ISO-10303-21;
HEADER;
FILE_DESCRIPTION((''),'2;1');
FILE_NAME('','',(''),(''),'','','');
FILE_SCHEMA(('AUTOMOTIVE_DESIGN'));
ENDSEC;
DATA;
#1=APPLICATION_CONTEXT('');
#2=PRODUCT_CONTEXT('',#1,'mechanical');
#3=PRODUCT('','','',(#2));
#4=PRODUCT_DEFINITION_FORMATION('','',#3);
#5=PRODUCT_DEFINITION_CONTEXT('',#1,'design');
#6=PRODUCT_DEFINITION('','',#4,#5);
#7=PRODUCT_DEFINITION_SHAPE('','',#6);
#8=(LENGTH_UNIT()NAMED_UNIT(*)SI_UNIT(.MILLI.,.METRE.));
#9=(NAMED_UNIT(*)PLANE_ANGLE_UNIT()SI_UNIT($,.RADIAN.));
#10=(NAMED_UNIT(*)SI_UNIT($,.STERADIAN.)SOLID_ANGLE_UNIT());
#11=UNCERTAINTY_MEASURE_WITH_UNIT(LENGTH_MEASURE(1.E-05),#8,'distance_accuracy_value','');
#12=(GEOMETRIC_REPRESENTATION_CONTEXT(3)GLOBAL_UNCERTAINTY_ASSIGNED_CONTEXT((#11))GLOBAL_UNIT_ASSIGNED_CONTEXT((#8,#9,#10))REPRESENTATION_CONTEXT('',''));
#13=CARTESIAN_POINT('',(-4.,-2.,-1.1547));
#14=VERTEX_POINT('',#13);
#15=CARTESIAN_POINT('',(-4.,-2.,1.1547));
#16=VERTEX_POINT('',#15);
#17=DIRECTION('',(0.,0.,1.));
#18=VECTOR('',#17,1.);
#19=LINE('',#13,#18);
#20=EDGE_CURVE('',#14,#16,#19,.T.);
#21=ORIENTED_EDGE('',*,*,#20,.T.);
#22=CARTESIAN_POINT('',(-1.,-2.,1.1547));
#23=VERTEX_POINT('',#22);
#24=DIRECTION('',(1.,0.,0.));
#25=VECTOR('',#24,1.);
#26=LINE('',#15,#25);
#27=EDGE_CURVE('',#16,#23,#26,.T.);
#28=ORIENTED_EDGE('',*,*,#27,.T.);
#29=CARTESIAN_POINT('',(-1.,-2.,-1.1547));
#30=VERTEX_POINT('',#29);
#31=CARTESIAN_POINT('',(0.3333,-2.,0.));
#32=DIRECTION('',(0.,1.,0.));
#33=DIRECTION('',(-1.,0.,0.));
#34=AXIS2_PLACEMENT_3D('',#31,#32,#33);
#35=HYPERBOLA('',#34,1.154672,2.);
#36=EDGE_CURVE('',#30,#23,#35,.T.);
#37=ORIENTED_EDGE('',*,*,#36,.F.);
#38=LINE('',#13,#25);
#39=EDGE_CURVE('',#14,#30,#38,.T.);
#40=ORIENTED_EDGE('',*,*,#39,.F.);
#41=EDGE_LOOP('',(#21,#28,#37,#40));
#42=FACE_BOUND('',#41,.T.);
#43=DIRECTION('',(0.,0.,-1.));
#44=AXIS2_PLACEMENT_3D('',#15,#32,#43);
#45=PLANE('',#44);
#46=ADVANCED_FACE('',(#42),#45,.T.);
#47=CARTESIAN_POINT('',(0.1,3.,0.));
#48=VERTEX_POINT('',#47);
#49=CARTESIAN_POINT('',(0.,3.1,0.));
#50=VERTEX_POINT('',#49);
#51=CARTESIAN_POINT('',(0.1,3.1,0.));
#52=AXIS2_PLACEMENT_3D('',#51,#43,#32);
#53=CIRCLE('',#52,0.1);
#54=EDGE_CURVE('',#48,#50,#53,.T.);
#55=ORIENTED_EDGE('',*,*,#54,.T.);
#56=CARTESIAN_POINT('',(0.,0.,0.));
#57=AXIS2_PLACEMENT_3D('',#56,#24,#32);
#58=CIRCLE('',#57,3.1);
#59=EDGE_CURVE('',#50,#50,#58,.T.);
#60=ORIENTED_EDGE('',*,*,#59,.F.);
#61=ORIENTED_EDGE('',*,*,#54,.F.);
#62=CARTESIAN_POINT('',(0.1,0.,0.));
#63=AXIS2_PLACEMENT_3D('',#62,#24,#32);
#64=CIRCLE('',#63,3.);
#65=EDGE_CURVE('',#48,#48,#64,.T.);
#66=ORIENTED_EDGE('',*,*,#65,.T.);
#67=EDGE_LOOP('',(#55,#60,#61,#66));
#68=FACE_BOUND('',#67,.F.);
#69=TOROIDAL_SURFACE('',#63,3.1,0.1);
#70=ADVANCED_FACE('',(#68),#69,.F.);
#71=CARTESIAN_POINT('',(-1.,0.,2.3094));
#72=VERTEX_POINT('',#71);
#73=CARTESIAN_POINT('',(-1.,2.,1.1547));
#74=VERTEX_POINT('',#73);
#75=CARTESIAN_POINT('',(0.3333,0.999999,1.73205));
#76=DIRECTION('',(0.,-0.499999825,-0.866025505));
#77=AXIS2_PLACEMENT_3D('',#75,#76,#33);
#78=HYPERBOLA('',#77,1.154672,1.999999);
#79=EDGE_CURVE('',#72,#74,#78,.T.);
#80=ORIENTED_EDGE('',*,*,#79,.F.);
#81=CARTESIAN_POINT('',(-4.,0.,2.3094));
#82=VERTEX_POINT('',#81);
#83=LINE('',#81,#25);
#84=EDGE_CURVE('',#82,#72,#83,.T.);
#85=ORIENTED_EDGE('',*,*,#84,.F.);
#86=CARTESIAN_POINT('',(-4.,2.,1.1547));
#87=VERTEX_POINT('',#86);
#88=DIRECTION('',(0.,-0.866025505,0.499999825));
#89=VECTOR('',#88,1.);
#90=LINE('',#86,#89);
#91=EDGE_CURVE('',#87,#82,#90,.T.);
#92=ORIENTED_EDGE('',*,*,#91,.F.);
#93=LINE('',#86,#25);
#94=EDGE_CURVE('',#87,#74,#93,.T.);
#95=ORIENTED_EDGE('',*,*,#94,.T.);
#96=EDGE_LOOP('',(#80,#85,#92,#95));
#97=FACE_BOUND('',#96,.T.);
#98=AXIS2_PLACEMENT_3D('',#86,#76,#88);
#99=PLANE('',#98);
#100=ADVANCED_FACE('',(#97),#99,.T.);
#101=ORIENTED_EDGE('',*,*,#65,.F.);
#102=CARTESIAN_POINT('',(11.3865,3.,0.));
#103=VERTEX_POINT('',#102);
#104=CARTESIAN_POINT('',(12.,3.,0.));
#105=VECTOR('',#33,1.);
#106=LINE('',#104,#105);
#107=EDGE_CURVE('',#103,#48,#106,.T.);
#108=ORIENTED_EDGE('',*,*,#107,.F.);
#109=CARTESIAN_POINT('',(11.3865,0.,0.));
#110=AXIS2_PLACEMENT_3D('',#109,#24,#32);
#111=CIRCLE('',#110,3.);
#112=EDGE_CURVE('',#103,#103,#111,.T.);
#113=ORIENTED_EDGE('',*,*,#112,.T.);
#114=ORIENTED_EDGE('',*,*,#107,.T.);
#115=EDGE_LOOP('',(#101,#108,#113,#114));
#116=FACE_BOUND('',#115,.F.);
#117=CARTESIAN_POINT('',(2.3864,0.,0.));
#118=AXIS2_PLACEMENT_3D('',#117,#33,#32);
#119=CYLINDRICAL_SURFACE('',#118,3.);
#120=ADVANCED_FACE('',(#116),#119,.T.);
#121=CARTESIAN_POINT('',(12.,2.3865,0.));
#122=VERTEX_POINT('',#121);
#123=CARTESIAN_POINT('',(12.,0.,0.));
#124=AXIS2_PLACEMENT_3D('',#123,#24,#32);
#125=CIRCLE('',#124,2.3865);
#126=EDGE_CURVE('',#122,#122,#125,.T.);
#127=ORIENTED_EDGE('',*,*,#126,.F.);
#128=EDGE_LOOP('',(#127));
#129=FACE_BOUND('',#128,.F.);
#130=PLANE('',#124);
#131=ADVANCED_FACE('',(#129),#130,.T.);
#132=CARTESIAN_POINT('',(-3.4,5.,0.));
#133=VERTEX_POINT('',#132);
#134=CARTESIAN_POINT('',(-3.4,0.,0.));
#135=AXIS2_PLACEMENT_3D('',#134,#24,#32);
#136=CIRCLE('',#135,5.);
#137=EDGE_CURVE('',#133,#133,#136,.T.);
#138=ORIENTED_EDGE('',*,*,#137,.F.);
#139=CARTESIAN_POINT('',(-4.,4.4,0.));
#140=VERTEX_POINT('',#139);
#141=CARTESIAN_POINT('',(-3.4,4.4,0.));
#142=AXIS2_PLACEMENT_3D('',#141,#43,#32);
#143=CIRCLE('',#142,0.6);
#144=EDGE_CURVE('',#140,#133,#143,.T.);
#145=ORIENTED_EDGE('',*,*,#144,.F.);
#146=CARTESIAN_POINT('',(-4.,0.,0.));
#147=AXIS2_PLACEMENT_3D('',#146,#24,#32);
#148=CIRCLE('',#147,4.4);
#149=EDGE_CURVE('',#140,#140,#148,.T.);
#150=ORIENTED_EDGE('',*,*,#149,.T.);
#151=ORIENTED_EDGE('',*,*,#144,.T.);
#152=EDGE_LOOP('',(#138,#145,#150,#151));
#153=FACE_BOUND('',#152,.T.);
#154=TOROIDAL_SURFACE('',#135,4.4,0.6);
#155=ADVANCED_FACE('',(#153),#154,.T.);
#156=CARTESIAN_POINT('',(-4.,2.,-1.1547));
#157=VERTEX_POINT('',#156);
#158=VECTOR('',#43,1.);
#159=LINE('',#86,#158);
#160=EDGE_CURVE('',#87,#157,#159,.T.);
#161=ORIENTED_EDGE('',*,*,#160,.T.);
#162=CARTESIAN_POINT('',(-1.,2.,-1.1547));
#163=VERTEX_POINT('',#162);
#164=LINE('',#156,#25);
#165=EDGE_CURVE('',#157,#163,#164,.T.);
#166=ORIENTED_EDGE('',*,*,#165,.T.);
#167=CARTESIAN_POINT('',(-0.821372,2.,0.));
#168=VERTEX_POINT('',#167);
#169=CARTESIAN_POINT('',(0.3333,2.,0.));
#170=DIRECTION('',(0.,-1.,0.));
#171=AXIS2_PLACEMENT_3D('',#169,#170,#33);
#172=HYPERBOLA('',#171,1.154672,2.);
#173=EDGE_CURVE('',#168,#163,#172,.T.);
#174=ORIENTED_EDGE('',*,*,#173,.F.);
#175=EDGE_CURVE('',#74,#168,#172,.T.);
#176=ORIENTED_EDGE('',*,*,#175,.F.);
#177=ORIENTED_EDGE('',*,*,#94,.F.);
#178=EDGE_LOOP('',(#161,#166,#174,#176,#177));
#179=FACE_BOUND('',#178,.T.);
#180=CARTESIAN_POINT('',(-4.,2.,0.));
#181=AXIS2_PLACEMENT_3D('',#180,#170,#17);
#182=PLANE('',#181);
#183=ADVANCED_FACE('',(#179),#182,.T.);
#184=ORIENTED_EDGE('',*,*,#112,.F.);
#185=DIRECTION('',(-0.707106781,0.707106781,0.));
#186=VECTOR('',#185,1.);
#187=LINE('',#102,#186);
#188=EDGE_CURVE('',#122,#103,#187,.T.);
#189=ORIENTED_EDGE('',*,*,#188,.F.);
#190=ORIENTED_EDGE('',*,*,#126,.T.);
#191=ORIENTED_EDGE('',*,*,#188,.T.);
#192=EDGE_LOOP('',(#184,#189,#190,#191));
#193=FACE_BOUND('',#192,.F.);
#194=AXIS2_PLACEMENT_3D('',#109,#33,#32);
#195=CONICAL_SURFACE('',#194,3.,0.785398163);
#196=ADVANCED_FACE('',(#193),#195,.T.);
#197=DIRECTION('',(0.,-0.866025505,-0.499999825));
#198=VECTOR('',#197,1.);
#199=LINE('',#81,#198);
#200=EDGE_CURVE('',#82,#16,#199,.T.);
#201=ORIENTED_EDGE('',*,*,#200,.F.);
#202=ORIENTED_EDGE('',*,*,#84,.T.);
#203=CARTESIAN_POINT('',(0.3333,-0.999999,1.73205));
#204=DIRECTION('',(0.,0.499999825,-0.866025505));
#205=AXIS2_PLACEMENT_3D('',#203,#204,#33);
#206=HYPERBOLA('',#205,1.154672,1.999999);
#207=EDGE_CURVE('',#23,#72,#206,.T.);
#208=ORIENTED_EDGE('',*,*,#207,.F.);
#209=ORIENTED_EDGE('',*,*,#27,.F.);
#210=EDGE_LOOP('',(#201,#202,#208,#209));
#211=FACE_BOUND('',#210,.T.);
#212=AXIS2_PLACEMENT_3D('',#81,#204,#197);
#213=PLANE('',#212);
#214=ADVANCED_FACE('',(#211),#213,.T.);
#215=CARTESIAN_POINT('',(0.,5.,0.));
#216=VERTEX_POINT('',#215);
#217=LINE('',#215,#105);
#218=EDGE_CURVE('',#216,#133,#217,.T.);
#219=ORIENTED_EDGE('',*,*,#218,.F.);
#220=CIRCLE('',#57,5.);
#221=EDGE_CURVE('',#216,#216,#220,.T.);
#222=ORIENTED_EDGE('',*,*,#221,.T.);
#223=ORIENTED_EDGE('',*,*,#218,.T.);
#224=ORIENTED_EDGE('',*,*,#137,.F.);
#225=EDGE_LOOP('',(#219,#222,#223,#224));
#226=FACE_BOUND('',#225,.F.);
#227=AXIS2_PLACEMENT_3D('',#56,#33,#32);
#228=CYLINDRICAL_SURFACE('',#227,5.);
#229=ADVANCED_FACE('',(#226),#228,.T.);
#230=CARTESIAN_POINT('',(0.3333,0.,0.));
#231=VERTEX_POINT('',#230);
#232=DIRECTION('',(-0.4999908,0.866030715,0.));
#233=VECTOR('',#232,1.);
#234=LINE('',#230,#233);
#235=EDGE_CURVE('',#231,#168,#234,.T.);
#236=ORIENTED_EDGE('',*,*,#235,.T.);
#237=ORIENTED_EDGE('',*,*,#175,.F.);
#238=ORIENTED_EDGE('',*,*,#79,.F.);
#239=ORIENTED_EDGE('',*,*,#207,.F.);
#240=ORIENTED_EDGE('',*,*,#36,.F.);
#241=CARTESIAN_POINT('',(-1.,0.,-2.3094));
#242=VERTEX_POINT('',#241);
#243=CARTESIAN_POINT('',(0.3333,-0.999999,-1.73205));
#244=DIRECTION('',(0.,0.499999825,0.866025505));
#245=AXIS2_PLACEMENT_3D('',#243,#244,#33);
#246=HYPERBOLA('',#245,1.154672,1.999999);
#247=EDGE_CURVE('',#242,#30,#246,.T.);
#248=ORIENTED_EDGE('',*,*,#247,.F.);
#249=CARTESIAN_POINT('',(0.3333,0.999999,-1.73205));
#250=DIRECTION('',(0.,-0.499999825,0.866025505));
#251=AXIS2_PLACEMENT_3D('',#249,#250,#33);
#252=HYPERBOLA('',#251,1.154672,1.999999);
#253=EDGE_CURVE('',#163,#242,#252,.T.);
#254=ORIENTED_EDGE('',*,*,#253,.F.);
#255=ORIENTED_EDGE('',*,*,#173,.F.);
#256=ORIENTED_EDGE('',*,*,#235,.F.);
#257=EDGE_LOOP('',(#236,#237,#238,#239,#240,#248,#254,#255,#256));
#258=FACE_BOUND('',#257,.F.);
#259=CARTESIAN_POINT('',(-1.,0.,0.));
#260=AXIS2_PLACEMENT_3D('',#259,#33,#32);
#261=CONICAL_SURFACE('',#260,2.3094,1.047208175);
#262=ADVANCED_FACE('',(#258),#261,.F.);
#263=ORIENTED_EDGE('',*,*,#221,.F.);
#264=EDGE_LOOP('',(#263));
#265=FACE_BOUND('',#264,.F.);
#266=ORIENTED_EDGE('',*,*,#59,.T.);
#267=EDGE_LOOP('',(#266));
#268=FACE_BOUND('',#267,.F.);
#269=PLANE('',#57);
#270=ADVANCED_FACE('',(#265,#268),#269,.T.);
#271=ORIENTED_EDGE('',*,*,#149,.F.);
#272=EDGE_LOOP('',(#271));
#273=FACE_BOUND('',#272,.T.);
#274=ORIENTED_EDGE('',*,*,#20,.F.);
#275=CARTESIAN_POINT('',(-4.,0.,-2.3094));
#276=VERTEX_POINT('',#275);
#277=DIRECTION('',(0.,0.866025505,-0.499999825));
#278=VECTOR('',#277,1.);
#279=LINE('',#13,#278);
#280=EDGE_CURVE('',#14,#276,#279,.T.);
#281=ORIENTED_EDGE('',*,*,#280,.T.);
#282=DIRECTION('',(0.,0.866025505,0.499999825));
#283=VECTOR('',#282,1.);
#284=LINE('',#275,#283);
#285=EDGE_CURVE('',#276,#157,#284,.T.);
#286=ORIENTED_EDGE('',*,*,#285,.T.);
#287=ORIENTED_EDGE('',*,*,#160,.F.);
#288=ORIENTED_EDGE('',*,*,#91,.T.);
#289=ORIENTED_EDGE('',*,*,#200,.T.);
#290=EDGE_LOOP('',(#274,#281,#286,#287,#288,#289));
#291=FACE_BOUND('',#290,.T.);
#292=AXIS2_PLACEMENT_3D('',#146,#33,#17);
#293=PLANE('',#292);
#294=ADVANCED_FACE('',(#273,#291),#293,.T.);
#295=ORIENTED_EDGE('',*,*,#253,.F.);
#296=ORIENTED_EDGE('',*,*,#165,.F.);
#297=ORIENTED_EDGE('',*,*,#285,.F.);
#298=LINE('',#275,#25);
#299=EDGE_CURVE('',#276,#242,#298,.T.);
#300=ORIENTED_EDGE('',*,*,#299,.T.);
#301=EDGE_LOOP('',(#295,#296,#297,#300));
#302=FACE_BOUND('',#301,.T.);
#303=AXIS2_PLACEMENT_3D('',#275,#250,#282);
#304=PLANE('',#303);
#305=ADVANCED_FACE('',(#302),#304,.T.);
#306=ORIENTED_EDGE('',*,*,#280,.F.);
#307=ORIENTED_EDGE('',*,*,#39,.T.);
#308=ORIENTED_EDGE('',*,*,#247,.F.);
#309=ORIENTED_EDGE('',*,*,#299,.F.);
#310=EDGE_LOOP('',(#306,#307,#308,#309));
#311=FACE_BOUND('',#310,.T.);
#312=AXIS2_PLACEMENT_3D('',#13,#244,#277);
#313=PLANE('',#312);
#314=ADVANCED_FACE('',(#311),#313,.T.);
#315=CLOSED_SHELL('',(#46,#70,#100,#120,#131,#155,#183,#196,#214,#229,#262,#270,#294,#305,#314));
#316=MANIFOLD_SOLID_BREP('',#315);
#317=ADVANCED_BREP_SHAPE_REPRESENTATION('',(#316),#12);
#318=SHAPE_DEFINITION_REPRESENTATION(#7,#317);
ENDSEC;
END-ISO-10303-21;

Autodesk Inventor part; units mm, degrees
ref_plane "YZ Plane" through (0, 0, 0) normal (1, 0, 0) x (0, 1, 0)
ref_plane "XZ Plane" through (0, 0, 0) normal (0, 1, 0) x (-1, 0, 0)
sketch "Skizze1" plane through (0, 0, 0) normal (0, 0, 1) x (1, 0, 0)
  line L0 (0.3333, 0) -> (12, 0)
  line L1 (12, 0) -> (12, 3)
  line L2 (12, 3) -> (3, 3)
  line L3 (3, 3) -> (2.3864, 3)
  line L4 (2.3864, 3) -> (0, 3)
  line L5 (0, 3) -> (0, 5)
  line L6 (0, 5) -> (-4, 5)
  line L7 (-4, 5) -> (-4, 2.3094)
  line L8 (-4, 2.3094) -> (-1, 2.3094)
  line L9 (-1, 2.3094) -> (0.3333, 0)
  line L10 (-7.2, 0) -> (15.2, 0) projected
  line L11 (0, -1) -> (0, 6) projected
  line L12 (3, 3) -> (0, 3) construction
  dimension "d1" = 9
  dimension "d2" = 0.6136
  dimension "d3" = 4
  dimension "d4" = 3
  dimension "d5" = 60
  dimension "d6" = 6
  dimension "d7" = 6
  dimension "d8" = 4.6188
  dimension "d9" = 10
  dimension "d26" = 12
revolve "Körper" add sketch "Skizze1" angle 360 about axis through (0.3333, 0, 0) along (1, 0, 0) contours L9 L11 L4 L3 L2 L1 L0 | L9 L8 L7 L6 L5 L11
sketch "Skizze2" plane through (-4, 0, 0) normal (-1, 0, 0) x (0, 0, 1)
  circle A0 centre (0, 0) radius 2.3094 projected
  line L0 (0, -7) -> (0, 7) projected
  line L1 (-7, 0) -> (7, 0) projected
  line L2 (2.3094, 0) -> (1.1547, -2)
  line L3 (1.1547, -2) -> (-1.1547, -2)
  line L4 (-1.1547, -2) -> (-2.3094, 0)
  line L5 (-2.3094, 0) -> (-1.1547, 2)
  line L6 (-1.1547, 2) -> (1.1547, 2)
  line L7 (1.1547, 2) -> (2.3094, 0)
extrude "Loch" add sketch "Skizze2" against normal up to next contours L7 A0 | A0 L2 | L6 L0 A0 | A0 L0 L3 | L0 L6 A0 | A0 L3 L0 | L4 A0 | A0 L5
fillet "Rundung1" radius 0.6 1 edges at (-4, -5, 0)
thread "Gewinde" size "M6x1" class "6g" standard "ISO Metric profile" length 9
chamfer "Fase1" distance 0.6135 distance2 0.6135 1 edges at (12, -3, 0) measured on face at (12, 0.705, 0.3049)
ref_plane "Work Plane1" through (29, 0, 0) normal (0, -1, 0) x (1, 0, 0)
fillet "Fillet2" radius 0.1 1 edges at (0, -3, 0)
equation "\"d1\" = GEL"
equation "\"d3\" = KOH"
equation "\"d4\" = INTI"
equation "\"d6\" = GD"
equation "\"d7\" = BDM"
equation "\"d8\" = 1.1547 * SW"
equation "\"d9\" = KOD"
equation "\"d26\" = NLG"
equation "\"d30\" = R"
equation "\"d17\" = RR"
equation "\"d13\" = GEL"
equation "\"d15\" = -0.5 * SPD + 0.5 * GD"
equation "\"d16\" = GUL"
equation "\"GD\" = NND"
equation "\"NLG\" = 12"
equation "\"GEL\" = 9"
equation "\"KOD\" = 10"
equation "\"KOH\" = 4"
equation "\"INTI\" = 3"
equation "\"GAL\" = 0.61345 * PTC"
equation "\"GUL\" = 0.61345 * PTC"
equation "\"BDM\" = NND"
equation "\"SW\" = 4"
equation "\"RR\" = 0.6"
equation "\"SPD\" = NND - 1.2269 * PTC"
equation "\"R\" = 0.1"
equation "\"TOA\" = 30deg"
equation "\"GD1\" = THREADDIA - 1.2269 * PTC"
equation "\"THREADDIA\" = 6"
equation "\"FAWI\" = 45deg"
equation "\"ANG\" = 120deg"
equation "\"PTC\" = 1"
equation "\"NND\" = 6"
equation "\"E0\" = 1.155 * SW"
properties part number "DIN 7984 - M6 x 12" material "Stahl, weich"
